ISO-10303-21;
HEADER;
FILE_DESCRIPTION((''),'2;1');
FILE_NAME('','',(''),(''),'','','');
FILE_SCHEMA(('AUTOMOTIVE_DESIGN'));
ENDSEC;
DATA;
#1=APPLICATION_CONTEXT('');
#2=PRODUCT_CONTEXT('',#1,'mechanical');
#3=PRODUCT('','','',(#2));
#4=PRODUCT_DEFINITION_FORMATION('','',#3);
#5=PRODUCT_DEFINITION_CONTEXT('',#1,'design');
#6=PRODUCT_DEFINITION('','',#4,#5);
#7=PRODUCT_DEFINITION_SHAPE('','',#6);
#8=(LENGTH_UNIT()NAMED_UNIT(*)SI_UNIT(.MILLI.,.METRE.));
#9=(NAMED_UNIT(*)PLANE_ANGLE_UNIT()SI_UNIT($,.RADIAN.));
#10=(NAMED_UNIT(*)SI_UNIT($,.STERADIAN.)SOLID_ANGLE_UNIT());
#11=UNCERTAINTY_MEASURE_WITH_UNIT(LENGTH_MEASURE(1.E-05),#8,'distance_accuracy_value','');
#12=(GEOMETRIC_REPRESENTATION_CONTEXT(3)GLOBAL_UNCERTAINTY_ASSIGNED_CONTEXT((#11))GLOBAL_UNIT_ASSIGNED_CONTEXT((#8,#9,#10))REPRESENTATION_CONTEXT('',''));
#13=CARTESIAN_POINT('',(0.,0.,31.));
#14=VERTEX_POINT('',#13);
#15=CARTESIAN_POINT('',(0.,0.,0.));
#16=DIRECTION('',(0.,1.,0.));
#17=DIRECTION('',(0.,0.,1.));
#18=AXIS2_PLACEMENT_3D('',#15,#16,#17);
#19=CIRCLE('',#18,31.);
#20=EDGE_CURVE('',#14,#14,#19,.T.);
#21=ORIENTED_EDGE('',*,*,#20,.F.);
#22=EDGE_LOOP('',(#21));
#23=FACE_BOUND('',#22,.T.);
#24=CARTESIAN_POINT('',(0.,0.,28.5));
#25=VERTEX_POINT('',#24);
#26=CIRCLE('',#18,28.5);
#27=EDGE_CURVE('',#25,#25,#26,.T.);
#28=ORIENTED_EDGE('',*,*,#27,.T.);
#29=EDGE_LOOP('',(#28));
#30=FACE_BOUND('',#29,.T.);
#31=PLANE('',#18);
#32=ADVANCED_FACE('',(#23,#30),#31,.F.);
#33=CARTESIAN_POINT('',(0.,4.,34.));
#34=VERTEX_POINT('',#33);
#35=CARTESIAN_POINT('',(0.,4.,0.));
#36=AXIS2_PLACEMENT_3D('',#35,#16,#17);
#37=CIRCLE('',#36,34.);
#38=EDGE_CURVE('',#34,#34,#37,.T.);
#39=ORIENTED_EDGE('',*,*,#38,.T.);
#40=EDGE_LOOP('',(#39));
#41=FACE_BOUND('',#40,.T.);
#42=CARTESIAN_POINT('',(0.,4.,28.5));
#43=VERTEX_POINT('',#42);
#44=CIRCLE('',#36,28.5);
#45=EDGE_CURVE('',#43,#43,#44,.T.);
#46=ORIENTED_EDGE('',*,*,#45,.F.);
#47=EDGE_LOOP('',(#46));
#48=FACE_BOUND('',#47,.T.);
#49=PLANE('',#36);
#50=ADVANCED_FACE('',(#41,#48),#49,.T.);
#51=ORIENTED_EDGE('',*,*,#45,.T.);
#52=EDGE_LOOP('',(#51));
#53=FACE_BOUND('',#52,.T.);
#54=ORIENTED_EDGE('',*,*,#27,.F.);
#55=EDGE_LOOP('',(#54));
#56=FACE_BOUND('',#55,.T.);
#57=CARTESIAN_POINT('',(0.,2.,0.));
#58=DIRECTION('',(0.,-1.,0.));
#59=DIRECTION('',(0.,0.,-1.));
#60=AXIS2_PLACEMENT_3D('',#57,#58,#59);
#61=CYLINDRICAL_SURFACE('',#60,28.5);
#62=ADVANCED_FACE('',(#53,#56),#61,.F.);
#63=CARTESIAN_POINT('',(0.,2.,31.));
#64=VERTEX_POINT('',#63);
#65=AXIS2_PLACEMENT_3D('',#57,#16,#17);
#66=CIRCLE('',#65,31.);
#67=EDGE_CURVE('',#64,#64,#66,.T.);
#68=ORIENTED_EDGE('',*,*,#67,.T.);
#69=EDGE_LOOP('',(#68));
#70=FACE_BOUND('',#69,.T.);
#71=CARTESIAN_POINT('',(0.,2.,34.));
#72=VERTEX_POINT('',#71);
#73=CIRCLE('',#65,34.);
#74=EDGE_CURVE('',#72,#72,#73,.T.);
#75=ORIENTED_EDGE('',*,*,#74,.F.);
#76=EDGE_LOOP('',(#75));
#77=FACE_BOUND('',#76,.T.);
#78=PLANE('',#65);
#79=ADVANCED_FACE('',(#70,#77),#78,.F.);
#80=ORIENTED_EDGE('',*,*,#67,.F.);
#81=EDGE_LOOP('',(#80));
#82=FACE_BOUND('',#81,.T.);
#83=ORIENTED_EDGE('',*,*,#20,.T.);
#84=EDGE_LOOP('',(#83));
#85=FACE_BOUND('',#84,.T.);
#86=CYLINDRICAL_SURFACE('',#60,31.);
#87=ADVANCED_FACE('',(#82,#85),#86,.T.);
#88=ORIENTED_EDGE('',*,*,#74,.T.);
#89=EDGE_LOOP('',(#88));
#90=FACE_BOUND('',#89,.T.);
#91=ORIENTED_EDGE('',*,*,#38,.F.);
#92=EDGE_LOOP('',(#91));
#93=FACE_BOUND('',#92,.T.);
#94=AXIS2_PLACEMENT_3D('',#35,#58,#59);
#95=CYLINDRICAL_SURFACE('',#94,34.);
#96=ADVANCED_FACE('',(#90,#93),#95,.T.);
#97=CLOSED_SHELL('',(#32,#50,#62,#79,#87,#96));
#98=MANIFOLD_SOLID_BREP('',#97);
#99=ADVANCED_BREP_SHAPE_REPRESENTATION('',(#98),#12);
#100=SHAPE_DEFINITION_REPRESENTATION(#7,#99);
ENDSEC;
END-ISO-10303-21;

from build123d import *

# Parameters (mm, degrees)
SKETCH_1_R      = 31
SKETCH_1_R_2    = 28.5
EXTRUDE_1_DEPTH = 2
SKETCH_2_R      = 34
SKETCH_2_R_2    = 28.5
EXTRUDE_2_DEPTH = 2


with BuildPart() as part:
    # 草图1 → 凸台-拉伸1 (new body)
    with BuildSketch(Plane(origin=(0, 0, 0), x_dir=(1, 0, 0), z_dir=(0, 1, 0))):
        with Locations(Location((0, 0, 0), (0, 0, 270))):
            Circle(SKETCH_1_R)
        with Locations(Location((0, 0, 0), (0, 0, 270))):
            Circle(SKETCH_1_R_2, mode=Mode.SUBTRACT)
    extrude(amount=EXTRUDE_1_DEPTH)

    # 草图2 → 凸台-拉伸2 (add)
    with BuildSketch(Plane(origin=(0, 2, 0), x_dir=(1, 0, 0), z_dir=(0, 1, 0))):
        with Locations(Location((0, 0, 0), (0, 0, 270))):
            Circle(SKETCH_2_R)
        with Locations(Location((0, 0, 0), (0, 0, 270))):
            Circle(SKETCH_2_R_2, mode=Mode.SUBTRACT)
    extrude(amount=EXTRUDE_2_DEPTH)


solid = part.part
